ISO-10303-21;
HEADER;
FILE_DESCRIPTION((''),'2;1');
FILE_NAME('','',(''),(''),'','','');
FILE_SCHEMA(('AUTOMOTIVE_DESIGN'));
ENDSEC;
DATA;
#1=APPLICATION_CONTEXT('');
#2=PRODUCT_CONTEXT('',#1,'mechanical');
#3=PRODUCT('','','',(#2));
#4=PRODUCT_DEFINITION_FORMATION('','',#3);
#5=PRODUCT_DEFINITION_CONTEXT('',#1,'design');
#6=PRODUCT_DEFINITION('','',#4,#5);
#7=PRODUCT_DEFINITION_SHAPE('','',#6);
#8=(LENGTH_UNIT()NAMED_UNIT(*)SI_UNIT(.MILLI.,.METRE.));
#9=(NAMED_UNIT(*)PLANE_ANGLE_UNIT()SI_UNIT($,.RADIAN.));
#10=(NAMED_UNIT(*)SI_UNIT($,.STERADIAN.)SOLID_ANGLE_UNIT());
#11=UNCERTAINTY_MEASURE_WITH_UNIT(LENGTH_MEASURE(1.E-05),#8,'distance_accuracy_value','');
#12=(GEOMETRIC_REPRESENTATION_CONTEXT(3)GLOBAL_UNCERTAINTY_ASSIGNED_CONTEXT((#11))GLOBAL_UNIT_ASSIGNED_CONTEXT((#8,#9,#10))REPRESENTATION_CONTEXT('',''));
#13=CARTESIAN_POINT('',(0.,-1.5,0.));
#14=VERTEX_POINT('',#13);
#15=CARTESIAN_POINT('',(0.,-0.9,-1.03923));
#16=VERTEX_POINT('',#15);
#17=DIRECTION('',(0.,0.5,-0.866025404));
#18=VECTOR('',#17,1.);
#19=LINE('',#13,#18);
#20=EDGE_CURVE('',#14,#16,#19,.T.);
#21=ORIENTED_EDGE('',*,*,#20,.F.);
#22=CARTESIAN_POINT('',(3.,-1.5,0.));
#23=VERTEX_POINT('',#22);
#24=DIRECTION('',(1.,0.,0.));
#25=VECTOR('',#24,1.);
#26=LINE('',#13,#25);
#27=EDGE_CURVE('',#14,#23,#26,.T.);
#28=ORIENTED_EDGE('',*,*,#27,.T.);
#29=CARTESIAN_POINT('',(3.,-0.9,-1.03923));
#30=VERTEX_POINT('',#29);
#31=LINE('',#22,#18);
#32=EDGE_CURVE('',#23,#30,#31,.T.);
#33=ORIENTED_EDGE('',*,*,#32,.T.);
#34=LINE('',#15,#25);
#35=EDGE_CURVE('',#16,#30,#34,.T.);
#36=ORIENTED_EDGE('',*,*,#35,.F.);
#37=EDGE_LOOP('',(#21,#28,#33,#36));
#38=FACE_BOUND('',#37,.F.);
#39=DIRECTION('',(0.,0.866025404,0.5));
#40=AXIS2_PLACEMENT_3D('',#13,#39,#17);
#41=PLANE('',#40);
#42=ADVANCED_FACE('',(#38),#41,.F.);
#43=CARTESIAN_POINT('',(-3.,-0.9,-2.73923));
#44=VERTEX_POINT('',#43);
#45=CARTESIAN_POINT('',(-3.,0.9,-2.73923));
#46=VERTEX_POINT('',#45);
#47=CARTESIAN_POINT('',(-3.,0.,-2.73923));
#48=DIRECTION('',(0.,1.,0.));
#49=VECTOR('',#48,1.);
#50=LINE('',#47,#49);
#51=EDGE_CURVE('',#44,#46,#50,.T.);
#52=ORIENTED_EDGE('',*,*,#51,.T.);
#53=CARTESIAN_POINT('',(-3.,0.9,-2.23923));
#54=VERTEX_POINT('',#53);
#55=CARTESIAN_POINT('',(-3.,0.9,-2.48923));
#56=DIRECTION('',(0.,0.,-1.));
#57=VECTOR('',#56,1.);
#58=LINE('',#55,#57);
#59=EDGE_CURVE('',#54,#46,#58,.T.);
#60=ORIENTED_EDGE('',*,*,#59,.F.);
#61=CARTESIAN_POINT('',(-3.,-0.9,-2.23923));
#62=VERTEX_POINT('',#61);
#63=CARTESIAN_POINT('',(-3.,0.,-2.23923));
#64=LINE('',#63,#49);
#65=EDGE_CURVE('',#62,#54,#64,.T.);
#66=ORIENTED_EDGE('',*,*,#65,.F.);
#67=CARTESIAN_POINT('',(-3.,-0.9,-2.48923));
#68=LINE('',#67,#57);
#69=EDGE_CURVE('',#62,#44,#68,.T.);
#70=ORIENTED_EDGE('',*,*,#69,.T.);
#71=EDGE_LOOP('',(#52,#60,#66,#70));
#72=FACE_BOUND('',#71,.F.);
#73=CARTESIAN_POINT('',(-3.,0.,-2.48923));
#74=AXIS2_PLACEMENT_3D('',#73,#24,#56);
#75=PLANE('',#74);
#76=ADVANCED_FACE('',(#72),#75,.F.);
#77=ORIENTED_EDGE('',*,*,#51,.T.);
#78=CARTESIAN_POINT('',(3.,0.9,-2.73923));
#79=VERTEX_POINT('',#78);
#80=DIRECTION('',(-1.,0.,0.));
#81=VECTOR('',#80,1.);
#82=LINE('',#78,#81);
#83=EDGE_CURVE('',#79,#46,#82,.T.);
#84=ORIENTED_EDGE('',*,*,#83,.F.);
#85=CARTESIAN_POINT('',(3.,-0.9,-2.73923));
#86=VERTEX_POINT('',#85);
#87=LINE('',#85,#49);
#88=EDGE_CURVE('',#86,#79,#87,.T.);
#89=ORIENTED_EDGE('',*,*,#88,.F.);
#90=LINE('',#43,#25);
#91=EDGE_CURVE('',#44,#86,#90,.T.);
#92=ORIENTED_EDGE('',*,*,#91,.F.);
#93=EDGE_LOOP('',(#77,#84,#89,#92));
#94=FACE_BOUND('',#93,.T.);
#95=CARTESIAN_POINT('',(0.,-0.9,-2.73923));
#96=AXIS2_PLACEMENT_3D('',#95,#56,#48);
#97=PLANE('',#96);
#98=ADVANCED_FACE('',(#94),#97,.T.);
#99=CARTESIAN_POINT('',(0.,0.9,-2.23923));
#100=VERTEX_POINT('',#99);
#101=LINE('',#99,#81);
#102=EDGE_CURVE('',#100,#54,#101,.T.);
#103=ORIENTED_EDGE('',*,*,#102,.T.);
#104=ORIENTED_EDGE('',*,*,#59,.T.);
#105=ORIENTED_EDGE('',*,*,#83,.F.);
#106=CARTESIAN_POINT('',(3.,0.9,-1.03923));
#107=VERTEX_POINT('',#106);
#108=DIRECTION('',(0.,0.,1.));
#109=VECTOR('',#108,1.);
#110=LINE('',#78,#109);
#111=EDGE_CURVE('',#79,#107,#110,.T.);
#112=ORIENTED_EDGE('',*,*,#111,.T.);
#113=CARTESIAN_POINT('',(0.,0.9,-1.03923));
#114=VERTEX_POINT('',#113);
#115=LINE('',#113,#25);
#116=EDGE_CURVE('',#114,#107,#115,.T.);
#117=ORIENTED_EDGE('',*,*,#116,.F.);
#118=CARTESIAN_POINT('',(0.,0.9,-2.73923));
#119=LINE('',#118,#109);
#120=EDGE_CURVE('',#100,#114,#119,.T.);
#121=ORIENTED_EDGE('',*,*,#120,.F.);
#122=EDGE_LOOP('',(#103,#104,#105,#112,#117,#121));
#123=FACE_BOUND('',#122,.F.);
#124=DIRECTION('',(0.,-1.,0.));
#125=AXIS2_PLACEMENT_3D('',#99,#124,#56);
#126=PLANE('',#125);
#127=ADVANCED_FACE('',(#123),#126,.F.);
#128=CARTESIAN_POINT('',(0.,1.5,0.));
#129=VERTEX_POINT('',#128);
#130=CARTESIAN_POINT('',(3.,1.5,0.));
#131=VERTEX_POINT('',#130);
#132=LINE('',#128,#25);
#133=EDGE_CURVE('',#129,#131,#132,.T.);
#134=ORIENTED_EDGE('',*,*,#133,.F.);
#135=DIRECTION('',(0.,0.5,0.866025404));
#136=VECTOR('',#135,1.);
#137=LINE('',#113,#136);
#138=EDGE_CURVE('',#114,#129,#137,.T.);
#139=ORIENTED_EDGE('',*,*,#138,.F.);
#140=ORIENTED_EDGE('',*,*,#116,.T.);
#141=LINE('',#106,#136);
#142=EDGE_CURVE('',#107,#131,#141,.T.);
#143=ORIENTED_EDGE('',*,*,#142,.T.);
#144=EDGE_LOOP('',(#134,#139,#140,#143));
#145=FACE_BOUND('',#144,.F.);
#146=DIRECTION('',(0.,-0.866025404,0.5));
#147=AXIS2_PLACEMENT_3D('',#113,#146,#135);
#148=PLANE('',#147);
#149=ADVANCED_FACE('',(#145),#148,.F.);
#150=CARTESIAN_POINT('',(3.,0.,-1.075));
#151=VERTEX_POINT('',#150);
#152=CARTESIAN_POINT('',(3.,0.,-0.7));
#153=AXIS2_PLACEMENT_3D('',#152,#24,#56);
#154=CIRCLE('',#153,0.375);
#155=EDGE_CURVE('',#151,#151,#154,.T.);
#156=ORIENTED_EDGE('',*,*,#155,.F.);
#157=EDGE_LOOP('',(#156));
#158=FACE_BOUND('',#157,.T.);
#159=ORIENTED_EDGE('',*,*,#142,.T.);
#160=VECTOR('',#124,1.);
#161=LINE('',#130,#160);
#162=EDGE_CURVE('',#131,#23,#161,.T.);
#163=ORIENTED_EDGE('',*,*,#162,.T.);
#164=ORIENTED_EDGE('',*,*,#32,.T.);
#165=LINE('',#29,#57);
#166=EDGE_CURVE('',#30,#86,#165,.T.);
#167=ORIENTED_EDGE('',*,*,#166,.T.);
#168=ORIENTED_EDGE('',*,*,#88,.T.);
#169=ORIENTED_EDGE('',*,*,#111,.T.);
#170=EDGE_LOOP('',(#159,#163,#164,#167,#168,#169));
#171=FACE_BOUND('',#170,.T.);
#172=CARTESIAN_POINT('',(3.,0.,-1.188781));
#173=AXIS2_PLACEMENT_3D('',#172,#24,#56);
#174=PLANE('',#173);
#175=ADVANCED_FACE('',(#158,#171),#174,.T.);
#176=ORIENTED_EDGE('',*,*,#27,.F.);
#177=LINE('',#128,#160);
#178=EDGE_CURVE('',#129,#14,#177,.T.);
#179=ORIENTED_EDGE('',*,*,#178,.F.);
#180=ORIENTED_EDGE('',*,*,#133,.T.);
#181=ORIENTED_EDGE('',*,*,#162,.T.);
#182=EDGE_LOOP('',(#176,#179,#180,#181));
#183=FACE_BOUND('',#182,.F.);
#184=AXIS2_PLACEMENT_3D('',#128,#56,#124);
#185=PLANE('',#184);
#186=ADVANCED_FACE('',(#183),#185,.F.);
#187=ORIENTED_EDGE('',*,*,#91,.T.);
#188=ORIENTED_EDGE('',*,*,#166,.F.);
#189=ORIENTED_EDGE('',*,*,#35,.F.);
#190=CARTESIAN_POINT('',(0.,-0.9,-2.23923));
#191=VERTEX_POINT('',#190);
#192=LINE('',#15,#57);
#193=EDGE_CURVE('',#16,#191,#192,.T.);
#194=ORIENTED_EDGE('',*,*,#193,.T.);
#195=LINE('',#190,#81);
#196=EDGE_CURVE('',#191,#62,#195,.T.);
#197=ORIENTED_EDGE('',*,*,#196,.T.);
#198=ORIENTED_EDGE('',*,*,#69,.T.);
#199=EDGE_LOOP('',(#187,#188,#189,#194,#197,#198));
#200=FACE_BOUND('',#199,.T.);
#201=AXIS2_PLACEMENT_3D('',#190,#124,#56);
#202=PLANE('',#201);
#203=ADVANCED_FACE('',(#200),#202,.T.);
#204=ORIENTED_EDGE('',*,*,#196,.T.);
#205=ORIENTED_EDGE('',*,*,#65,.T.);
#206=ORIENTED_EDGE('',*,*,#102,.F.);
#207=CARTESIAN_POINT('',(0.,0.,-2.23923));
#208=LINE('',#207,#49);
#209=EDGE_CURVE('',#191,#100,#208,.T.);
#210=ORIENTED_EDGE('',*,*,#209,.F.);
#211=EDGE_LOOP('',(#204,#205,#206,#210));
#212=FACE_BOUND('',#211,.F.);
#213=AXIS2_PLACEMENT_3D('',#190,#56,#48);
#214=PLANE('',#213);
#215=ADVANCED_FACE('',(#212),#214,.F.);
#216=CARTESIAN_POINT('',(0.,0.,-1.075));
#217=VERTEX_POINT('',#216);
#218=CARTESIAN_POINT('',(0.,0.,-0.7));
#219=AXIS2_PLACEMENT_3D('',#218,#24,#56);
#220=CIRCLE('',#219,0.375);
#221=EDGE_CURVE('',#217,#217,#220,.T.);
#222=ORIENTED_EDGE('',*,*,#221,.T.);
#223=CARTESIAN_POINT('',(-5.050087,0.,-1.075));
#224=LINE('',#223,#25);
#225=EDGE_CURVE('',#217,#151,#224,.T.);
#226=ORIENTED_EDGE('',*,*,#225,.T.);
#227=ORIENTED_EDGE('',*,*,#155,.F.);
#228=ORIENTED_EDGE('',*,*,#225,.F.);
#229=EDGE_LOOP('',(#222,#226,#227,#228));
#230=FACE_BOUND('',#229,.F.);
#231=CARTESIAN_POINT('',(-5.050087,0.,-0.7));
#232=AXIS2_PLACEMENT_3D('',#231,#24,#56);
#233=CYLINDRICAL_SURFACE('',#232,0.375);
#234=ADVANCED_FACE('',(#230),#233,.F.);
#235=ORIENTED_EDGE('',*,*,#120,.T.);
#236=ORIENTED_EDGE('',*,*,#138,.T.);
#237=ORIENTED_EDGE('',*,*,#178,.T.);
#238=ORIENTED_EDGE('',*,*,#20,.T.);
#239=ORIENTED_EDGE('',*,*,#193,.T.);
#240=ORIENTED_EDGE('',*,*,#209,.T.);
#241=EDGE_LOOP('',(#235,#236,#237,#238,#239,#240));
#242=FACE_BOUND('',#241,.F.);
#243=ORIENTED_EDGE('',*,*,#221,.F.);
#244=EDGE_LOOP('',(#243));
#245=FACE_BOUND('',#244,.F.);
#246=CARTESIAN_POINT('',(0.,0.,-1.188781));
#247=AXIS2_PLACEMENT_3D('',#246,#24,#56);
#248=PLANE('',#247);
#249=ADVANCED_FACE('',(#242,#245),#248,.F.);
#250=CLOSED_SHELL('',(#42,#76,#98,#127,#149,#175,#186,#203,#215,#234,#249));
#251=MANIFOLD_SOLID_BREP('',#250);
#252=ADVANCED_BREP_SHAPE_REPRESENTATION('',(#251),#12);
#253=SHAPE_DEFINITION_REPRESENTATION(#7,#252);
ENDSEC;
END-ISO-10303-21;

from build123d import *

# Parameters (mm, degrees)
BOSS_EXTRUDE1_DEPTH    = 3
M1X0_25_TAPPED_HOLE1_D = 0.75
SKETCH1_5_W            = 0.5
SKETCH1_5_H            = 1.8
BOSS_EXTRUDE2_DEPTH    = 3


with BuildPart() as part:
    # Sketch1 → Boss-Extrude1 (new body)
    with BuildSketch(Plane(origin=(0, 0, 0), x_dir=(0, 0, -1), z_dir=(1, 0, 0))):
        Polygon((0, 1.5), (0, -1.5), (1.039230485, -0.9), (2.739230485, -0.9), (2.739230485, 0.9), (1.039230485, 0.9), align=None)
    extrude(amount=BOSS_EXTRUDE1_DEPTH)

    # M1x0.25 Tapped Hole1 (through all)
    with Locations(Plane.ZY):
        with Locations((-0.7, 0)):
            Hole(M1X0_25_TAPPED_HOLE1_D / 2)

    # Sketch1<5> → Boss-Extrude2 (add)
    with BuildSketch(Plane(origin=(0, 0, 0), x_dir=(0, 0, -1), z_dir=(1, 0, 0))):
        with Locations((2.489230485, 0)):
            Rectangle(SKETCH1_5_W, SKETCH1_5_H)
    extrude(amount=-BOSS_EXTRUDE2_DEPTH)


solid = part.part
